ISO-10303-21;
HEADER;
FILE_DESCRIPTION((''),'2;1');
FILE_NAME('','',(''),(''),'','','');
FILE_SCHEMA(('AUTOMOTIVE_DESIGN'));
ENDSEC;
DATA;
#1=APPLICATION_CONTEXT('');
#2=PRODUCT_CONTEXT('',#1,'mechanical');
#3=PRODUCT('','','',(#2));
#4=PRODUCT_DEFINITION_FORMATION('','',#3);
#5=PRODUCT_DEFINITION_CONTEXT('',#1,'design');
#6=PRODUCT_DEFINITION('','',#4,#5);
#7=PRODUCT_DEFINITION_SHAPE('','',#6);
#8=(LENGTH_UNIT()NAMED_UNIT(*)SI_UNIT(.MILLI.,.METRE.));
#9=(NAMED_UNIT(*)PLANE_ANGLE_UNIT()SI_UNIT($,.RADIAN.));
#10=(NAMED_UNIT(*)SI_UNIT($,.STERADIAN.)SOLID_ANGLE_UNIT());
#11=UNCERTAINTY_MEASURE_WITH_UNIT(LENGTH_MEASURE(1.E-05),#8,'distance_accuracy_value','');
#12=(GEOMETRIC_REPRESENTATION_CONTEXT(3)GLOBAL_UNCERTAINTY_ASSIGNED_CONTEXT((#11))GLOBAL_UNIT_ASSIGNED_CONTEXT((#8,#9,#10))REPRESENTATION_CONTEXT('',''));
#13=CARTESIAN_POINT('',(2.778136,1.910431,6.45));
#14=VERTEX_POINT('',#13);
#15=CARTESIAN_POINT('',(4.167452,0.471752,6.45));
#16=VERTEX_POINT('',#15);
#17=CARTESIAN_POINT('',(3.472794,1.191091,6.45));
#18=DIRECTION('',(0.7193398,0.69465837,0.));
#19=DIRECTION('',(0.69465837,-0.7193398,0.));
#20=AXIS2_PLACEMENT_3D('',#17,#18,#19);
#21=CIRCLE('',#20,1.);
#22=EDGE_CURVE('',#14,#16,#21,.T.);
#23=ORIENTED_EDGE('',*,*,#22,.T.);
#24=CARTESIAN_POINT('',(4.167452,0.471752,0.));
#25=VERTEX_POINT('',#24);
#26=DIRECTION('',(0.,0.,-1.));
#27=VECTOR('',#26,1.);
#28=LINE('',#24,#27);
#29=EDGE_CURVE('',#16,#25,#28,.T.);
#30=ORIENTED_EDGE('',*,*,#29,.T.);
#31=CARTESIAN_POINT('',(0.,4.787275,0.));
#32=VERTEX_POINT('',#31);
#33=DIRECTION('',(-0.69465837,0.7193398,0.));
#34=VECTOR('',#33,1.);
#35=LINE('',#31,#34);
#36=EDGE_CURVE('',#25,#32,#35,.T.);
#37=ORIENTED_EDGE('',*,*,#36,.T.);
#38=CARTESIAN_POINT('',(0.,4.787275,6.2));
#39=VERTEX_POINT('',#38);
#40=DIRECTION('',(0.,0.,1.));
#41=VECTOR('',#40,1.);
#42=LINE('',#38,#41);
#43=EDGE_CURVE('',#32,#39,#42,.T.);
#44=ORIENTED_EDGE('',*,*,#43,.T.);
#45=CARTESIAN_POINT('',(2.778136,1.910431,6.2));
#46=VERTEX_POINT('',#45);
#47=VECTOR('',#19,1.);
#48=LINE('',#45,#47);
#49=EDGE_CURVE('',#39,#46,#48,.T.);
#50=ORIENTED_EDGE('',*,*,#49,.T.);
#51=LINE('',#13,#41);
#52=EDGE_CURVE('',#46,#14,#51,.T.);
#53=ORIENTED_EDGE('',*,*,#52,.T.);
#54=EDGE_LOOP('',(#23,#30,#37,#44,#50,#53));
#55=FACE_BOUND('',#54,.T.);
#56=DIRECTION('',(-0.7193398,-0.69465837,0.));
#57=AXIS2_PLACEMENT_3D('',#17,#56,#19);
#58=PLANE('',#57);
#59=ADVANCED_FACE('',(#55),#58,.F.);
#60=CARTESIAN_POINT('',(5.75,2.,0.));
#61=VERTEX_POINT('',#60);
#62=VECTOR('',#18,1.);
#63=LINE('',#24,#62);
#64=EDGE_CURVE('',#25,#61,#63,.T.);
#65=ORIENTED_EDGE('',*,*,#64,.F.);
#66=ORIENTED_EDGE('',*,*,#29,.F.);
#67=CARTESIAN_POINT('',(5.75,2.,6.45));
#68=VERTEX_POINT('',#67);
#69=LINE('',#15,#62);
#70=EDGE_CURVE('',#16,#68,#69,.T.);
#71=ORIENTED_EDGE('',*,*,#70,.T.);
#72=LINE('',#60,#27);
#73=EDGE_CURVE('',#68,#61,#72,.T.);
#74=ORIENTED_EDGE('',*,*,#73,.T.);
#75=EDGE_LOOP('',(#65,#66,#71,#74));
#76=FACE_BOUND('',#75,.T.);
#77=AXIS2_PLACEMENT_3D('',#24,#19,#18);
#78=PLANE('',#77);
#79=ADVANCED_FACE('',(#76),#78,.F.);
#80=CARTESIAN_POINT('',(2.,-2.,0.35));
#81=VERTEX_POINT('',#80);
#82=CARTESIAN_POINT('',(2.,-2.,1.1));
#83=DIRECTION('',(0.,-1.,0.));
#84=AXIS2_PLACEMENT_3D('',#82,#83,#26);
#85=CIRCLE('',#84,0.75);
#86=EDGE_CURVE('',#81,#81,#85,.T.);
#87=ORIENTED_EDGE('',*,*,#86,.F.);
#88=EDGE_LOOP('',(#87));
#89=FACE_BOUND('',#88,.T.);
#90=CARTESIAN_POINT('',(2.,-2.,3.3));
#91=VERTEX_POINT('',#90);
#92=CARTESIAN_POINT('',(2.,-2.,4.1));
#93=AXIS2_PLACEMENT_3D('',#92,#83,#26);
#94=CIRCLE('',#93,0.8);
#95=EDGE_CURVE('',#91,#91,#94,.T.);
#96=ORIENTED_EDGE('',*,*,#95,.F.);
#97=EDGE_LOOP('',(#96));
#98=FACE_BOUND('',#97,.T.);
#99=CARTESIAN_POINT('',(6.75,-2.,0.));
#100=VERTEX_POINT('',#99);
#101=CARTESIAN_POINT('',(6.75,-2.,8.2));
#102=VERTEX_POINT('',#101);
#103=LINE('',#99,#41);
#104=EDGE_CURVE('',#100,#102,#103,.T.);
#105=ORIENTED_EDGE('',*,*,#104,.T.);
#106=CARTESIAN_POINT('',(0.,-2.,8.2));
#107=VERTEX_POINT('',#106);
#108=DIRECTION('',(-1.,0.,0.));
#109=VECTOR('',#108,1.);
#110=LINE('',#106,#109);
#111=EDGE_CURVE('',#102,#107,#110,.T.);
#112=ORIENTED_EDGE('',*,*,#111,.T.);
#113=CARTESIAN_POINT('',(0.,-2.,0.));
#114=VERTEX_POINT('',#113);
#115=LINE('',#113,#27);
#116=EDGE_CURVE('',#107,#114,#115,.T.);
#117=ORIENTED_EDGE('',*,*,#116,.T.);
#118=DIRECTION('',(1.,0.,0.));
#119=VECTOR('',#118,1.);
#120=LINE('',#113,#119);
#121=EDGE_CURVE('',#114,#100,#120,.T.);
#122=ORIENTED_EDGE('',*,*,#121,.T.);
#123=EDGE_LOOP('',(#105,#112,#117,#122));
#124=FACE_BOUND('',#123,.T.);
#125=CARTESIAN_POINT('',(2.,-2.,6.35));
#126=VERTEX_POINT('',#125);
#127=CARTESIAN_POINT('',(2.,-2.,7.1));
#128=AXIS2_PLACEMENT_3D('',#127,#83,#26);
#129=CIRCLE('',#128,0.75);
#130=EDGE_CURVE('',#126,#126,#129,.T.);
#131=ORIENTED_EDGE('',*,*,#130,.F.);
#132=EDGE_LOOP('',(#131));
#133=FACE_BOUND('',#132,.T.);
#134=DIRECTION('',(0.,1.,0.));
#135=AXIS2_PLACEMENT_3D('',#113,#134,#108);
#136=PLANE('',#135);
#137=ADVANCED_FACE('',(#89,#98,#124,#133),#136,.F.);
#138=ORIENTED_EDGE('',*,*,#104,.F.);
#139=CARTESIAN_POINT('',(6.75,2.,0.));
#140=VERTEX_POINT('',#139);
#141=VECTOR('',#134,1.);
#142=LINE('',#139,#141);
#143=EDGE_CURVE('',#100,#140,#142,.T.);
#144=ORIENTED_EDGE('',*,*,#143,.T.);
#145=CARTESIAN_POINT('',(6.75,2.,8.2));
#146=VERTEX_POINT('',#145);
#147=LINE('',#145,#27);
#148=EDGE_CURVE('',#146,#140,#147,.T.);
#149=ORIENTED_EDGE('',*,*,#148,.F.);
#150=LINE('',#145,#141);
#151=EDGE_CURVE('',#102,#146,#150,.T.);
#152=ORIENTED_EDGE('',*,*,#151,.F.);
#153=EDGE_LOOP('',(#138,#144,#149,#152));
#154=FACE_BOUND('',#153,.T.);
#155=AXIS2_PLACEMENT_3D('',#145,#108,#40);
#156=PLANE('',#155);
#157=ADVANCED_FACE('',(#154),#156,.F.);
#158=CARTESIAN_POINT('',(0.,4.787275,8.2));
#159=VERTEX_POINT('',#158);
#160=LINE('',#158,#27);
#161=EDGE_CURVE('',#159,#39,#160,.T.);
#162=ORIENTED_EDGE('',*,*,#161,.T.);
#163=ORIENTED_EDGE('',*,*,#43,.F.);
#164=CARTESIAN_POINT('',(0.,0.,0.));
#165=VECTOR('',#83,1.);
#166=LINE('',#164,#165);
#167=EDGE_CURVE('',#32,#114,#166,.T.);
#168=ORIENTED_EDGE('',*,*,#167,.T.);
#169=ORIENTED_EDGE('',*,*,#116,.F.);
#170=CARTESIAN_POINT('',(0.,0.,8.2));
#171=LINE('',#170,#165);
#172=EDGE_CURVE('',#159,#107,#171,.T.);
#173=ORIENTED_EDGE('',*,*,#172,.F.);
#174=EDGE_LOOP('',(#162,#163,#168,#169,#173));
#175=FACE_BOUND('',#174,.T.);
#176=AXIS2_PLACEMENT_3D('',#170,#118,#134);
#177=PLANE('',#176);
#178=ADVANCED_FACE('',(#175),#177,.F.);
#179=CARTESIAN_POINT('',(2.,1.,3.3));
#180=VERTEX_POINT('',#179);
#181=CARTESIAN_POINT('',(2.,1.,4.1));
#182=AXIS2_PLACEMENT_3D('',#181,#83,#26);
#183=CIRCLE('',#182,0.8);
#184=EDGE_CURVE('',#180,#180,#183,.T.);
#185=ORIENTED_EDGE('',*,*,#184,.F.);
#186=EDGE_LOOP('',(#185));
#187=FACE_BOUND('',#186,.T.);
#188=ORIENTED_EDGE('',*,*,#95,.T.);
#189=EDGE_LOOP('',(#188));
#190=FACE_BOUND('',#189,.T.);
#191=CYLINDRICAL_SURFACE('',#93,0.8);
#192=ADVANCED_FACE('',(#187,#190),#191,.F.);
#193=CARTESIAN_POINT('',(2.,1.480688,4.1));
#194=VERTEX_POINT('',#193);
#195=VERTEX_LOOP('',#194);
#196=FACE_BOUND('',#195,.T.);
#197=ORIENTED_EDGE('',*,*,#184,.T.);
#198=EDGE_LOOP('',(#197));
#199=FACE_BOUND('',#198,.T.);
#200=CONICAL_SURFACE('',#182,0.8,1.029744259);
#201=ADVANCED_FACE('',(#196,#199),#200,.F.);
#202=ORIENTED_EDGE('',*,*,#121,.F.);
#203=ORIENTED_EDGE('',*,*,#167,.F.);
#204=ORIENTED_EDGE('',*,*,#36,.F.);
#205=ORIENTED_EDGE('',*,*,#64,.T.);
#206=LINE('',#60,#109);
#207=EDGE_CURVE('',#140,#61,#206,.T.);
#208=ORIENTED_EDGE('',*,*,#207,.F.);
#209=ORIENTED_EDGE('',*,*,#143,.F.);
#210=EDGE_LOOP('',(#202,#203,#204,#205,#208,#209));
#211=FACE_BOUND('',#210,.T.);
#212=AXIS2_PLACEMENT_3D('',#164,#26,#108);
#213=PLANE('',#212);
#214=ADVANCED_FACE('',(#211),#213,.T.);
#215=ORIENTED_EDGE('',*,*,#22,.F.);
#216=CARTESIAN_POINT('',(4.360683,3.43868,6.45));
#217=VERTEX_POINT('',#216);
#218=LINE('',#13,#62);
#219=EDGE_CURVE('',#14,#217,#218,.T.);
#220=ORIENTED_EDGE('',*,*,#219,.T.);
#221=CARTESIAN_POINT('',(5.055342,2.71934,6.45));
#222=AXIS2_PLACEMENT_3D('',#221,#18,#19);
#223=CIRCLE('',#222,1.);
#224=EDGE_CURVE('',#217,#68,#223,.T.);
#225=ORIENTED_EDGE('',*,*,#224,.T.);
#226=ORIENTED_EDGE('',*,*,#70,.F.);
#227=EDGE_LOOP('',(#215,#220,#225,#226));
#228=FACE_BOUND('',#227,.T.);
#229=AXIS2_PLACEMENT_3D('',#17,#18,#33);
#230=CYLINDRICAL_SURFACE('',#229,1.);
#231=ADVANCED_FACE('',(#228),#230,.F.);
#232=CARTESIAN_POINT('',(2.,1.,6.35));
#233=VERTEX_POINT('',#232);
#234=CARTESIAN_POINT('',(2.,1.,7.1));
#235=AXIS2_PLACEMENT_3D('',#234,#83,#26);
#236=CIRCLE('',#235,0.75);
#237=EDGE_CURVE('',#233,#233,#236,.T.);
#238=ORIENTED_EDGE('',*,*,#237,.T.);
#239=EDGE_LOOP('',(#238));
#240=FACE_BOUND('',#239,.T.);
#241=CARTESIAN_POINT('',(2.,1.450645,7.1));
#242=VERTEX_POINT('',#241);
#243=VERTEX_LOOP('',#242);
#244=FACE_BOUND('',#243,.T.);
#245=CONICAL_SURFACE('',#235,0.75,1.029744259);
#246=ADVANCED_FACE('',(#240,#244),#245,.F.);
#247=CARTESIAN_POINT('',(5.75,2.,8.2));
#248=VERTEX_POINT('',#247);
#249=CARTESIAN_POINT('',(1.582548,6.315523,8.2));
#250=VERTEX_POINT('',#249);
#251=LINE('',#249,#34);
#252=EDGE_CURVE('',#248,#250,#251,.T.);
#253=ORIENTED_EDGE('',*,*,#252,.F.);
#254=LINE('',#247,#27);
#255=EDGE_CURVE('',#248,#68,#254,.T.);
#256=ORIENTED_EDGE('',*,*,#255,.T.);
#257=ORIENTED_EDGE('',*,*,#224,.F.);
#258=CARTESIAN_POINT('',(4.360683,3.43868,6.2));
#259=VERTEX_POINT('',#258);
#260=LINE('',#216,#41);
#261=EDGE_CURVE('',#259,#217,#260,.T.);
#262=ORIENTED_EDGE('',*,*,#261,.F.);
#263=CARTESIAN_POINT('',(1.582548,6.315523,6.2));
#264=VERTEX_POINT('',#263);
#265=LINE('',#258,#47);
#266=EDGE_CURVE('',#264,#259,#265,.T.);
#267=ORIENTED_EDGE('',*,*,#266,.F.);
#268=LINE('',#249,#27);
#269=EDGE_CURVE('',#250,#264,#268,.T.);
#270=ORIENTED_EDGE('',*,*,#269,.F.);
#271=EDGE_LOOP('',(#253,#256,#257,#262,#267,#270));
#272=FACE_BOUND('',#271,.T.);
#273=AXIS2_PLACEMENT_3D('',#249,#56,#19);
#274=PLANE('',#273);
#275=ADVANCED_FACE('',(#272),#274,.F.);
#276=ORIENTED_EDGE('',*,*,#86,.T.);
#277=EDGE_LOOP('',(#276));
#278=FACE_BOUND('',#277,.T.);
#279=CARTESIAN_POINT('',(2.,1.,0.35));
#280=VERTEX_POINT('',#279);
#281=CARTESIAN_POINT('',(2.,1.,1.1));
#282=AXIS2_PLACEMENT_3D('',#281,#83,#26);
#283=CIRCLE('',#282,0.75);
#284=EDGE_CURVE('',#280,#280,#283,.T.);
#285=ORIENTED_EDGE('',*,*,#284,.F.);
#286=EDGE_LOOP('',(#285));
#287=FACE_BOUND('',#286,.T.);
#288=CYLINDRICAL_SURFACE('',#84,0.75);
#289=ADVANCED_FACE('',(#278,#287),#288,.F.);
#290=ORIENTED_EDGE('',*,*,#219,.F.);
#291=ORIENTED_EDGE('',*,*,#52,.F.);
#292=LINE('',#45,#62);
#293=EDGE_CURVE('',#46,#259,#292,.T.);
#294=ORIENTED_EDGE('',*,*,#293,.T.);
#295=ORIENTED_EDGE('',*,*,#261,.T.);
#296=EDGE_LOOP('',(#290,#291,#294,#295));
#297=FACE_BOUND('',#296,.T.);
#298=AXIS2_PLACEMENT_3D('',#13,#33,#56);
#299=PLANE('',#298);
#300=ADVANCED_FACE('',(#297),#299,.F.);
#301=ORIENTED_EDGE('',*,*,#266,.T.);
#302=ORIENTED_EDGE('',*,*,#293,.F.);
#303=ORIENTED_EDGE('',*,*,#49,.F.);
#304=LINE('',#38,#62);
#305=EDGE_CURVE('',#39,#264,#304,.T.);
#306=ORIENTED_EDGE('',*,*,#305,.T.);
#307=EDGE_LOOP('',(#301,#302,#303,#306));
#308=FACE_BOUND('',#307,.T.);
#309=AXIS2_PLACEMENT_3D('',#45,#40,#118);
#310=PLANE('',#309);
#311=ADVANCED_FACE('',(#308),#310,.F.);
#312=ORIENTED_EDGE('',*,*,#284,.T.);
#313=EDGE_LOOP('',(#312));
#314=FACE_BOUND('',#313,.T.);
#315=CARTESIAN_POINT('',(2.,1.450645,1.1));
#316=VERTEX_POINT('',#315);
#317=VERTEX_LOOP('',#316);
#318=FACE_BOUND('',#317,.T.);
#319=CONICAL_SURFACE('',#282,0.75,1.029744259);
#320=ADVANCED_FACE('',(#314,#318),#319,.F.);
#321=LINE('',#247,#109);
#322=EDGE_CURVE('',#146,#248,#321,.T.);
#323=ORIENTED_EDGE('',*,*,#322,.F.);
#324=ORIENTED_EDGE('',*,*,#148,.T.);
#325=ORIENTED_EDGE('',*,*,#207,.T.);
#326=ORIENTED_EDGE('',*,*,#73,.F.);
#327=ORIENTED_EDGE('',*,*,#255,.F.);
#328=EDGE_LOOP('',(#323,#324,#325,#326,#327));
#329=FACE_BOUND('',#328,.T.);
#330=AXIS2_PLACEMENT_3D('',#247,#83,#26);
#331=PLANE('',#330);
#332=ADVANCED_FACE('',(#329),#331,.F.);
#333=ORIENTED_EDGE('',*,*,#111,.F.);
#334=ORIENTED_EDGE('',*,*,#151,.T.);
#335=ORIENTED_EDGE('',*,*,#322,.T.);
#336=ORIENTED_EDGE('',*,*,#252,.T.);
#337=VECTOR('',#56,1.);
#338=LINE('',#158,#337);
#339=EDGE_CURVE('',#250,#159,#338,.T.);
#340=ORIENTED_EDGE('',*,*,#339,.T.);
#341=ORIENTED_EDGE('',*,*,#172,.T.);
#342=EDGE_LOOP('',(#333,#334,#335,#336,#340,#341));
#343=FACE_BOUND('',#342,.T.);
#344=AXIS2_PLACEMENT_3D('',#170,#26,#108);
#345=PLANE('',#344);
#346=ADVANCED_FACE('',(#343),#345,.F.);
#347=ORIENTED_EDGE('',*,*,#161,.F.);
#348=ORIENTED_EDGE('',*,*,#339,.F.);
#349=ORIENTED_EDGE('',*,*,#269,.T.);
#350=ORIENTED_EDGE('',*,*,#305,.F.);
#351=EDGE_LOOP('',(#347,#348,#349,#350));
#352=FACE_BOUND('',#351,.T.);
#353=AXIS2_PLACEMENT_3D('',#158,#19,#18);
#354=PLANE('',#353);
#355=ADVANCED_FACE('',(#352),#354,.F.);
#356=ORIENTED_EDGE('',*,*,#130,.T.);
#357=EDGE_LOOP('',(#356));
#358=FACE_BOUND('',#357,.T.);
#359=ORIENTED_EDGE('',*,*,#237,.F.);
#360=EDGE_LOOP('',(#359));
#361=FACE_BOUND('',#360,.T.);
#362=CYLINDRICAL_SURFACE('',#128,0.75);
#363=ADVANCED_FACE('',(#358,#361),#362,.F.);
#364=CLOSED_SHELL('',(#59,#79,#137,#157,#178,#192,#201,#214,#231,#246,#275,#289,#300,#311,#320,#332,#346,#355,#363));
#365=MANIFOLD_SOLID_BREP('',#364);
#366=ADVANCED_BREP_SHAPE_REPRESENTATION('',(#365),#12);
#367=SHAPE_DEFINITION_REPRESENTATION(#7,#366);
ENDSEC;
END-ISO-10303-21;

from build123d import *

# Parameters (mm, degrees)
BOSS_EXTRUDE1_DEPTH       = 8.2
CUT_EXTRUDE1_DEPTH        = 2.2
SKETCH3_W                 = 6.75
SKETCH3_H                 = 8.2
BOSS_EXTRUDE2_DEPTH       = 2
F_1_5MM_DOWEL_HOLE1_D     = 1.5
F_1_5MM_DOWEL_HOLE1_DEPTH = 3
F_1_5MM_DOWEL_HOLE1_TIP   = 0.450645464
M2X0_4_TAPPED_HOLE1_D     = 1.6
M2X0_4_TAPPED_HOLE1_DEPTH = 3
M2X0_4_TAPPED_HOLE1_TIP   = 0.480688495


with BuildPart() as part:
    # Sketch1 → Boss-Extrude1 (new body)
    with BuildSketch(Plane.XY):
        Polygon((0, 0), (0, 4.787274917), (1.582547561, 6.315523332), (5.75, 2), (6.75, 2), (6.75, 0), align=None)
    extrude(amount=BOSS_EXTRUDE1_DEPTH)

    # Sketch2 → Cut-Extrude1 (cut)
    with BuildSketch(Plane(origin=(3.97472688, 3.838349131, 0), x_dir=(0, 0, -1), z_dir=(0.7193398, 0.69465837, 0))):
        with BuildLine():
            Line((0, 3.443677383), (0, -2.555606029))
            Line((0, -2.555606029), (-6.45, -2.555606029))
            ThreePointArc((-6.45, -2.555606029), (-7.45, -1.555606029), (-6.45, -0.555606029))
            Line((-6.45, -0.555606029), (-6.2, -0.555606029))
            Line((-6.2, -0.555606029), (-6.2, 3.443677383))
            Line((-6.2, 3.443677383), (0, 3.443677383))
        make_face()
    extrude(amount=-CUT_EXTRUDE1_DEPTH, mode=Mode.SUBTRACT)

    # Sketch3 → Boss-Extrude2 (add)
    with BuildSketch(Plane.XZ):
        with Locations((3.375, 4.1)):
            Rectangle(SKETCH3_W, SKETCH3_H)
    extrude(amount=BOSS_EXTRUDE2_DEPTH)

    # Ø1.5mm Dowel Hole1
    with Locations(Plane(origin=(0, -2, 0), x_dir=(-1, 0, 0), z_dir=(0, -1, 0))):
        with Locations((-2, -7.1), (-2, -1.1)):
            Hole(F_1_5MM_DOWEL_HOLE1_D / 2, depth=F_1_5MM_DOWEL_HOLE1_DEPTH)
            with Locations((0, 0, -(F_1_5MM_DOWEL_HOLE1_DEPTH + F_1_5MM_DOWEL_HOLE1_TIP / 2))):  # 118° drill point
                Cone(0, F_1_5MM_DOWEL_HOLE1_D / 2, F_1_5MM_DOWEL_HOLE1_TIP, mode=Mode.SUBTRACT)

    # M2x0.4 Tapped Hole1
    with Locations(Plane(origin=(0, -2, 0), x_dir=(-1, 0, 0), z_dir=(0, -1, 0))):
        with Locations((-2, -4.1)):
            Hole(M2X0_4_TAPPED_HOLE1_D / 2, depth=M2X0_4_TAPPED_HOLE1_DEPTH)
            with Locations((0, 0, -(M2X0_4_TAPPED_HOLE1_DEPTH + M2X0_4_TAPPED_HOLE1_TIP / 2))):  # 118° drill point
                Cone(0, M2X0_4_TAPPED_HOLE1_D / 2, M2X0_4_TAPPED_HOLE1_TIP, mode=Mode.SUBTRACT)


solid = part.part
